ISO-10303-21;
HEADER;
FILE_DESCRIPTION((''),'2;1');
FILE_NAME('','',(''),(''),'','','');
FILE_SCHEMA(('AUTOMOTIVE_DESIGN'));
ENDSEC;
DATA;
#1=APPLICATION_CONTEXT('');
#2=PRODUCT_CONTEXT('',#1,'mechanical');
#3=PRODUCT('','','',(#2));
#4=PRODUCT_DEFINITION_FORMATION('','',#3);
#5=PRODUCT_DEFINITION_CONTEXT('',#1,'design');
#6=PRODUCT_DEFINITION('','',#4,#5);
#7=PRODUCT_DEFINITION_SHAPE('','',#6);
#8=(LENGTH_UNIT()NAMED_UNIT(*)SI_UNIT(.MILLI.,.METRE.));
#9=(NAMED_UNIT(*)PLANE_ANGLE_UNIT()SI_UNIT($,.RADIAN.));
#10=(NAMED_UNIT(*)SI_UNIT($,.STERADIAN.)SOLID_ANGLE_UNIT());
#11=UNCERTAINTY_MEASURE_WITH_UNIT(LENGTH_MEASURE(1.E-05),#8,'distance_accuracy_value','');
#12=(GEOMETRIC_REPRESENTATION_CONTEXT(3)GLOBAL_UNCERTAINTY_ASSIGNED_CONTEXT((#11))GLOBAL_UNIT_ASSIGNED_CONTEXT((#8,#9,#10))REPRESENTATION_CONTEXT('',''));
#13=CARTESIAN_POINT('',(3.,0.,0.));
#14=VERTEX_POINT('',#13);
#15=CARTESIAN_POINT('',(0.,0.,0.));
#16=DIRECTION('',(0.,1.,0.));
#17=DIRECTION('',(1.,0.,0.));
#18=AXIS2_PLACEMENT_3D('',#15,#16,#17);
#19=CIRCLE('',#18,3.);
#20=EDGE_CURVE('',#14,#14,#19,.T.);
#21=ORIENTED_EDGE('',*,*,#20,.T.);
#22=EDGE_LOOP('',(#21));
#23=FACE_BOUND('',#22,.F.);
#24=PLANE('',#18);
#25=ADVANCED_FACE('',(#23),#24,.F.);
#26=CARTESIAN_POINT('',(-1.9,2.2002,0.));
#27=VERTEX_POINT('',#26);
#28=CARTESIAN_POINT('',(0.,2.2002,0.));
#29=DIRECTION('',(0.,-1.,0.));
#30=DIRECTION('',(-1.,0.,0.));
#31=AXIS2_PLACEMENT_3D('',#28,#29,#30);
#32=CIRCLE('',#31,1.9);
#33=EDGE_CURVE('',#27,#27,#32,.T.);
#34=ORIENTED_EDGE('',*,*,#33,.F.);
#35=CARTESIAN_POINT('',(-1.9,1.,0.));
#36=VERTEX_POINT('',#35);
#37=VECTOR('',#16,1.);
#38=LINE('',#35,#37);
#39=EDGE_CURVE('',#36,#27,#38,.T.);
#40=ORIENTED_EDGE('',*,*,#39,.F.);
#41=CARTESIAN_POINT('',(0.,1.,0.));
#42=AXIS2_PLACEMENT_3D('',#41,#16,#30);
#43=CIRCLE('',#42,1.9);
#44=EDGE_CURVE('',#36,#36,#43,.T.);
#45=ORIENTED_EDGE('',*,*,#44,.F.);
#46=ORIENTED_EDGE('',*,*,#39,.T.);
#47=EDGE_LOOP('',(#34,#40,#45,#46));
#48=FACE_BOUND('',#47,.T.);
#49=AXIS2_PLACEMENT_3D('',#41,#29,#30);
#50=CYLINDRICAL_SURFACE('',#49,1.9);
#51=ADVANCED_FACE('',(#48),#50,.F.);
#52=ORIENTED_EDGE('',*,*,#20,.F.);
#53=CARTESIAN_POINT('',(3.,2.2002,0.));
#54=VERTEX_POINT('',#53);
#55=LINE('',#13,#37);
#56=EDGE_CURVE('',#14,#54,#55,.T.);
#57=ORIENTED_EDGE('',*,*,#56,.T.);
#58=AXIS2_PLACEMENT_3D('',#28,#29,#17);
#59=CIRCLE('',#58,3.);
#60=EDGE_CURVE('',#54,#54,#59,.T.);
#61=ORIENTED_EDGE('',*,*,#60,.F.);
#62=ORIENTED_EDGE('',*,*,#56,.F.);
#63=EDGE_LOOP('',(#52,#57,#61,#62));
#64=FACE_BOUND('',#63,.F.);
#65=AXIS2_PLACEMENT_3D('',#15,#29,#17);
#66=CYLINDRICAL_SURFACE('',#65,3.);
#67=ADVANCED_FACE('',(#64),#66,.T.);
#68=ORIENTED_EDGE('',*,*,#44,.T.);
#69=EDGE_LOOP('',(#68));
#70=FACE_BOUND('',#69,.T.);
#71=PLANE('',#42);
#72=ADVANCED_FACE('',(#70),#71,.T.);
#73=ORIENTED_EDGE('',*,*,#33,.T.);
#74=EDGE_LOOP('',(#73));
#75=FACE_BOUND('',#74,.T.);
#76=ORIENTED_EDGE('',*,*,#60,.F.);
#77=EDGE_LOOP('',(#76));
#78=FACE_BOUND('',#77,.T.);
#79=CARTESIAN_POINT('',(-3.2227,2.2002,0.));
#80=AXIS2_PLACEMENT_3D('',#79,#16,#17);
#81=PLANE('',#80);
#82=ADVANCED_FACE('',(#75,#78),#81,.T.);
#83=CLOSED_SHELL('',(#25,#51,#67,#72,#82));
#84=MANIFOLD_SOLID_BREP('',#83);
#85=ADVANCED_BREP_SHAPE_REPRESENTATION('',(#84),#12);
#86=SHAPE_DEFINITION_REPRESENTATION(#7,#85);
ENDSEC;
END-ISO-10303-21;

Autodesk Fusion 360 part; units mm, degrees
sketch "Sketch1" plane through (0, 0, 0) normal (0, 1, 0) x (1, 0, 0)
  circle A0 centre (0, 0) radius 1.9
  circle A1 centre (0, 0) radius 3
  dimension "d1" = 3.8
  dimension "d2" = 6
extrude "Extrude1" add sketch "Sketch1" along normal blind 3 contours A0 | A1
sketch "Sketch2" plane through (0, 3, 0) normal (0, 1, 0) x (-1, 0, 0)
  circle A0 centre (0, 0) radius 3
  circle A1 centre (0, 0) radius 1.9
  dimension "d5" = 3.8
extrude "Extrude2" cut sketch "Sketch2" against normal blind 2 contours A1
sketch "Sketch3" plane through (0, 1, 0) normal (0, 1, 0) x (-1, 0, 0)
  circle A0 centre (0, 0) radius 1.9
  circle A1 centre (0, 0) radius 2
  circle A2 centre (0, 0) radius 1.9
  dimension "d8" = 4
extrude "Extrude3" cut sketch "Sketch3" along normal blind 2.2
sketch "Sketch4" plane through (0, 1, 0) normal (0, 1, 0) x (-1, 0, 0)
  circle A0 centre (0, 0) radius 2
  circle A1 centre (0, 0) radius 2.1
  dimension "d11" = 4.2
extrude "Extrude4" cut sketch "Sketch4" along normal blind 2.8
sketch "Sketch5" plane through (0, 1, 0) normal (0, 1, 0) x (-1, 0, 0)
  circle A0 centre (0, 0) radius 2.1
  circle A1 centre (0, 0) radius 1.9
  dimension "d14" = 3.8
extrude "Extrude5" add sketch "Sketch5" along normal blind 2
sketch "Sketch6" plane through (0, 0, 0) normal (0, 0, 1) x (1, 0, 0)
  line L0 (-3.6792, 2.2002) -> (4.0444, 2.2002)
  line L1 (4.0444, 2.2002) -> (4.0444, 3.7157)
  line L2 (4.0444, 3.7157) -> (-3.2227, 3.7157)
  line L3 (-3.2227, 3.7157) -> (-3.2227, 2.2002)
extrude "Extrude6" cut sketch "Sketch6" along normal blind 4.5 and the other way blind 4.5
